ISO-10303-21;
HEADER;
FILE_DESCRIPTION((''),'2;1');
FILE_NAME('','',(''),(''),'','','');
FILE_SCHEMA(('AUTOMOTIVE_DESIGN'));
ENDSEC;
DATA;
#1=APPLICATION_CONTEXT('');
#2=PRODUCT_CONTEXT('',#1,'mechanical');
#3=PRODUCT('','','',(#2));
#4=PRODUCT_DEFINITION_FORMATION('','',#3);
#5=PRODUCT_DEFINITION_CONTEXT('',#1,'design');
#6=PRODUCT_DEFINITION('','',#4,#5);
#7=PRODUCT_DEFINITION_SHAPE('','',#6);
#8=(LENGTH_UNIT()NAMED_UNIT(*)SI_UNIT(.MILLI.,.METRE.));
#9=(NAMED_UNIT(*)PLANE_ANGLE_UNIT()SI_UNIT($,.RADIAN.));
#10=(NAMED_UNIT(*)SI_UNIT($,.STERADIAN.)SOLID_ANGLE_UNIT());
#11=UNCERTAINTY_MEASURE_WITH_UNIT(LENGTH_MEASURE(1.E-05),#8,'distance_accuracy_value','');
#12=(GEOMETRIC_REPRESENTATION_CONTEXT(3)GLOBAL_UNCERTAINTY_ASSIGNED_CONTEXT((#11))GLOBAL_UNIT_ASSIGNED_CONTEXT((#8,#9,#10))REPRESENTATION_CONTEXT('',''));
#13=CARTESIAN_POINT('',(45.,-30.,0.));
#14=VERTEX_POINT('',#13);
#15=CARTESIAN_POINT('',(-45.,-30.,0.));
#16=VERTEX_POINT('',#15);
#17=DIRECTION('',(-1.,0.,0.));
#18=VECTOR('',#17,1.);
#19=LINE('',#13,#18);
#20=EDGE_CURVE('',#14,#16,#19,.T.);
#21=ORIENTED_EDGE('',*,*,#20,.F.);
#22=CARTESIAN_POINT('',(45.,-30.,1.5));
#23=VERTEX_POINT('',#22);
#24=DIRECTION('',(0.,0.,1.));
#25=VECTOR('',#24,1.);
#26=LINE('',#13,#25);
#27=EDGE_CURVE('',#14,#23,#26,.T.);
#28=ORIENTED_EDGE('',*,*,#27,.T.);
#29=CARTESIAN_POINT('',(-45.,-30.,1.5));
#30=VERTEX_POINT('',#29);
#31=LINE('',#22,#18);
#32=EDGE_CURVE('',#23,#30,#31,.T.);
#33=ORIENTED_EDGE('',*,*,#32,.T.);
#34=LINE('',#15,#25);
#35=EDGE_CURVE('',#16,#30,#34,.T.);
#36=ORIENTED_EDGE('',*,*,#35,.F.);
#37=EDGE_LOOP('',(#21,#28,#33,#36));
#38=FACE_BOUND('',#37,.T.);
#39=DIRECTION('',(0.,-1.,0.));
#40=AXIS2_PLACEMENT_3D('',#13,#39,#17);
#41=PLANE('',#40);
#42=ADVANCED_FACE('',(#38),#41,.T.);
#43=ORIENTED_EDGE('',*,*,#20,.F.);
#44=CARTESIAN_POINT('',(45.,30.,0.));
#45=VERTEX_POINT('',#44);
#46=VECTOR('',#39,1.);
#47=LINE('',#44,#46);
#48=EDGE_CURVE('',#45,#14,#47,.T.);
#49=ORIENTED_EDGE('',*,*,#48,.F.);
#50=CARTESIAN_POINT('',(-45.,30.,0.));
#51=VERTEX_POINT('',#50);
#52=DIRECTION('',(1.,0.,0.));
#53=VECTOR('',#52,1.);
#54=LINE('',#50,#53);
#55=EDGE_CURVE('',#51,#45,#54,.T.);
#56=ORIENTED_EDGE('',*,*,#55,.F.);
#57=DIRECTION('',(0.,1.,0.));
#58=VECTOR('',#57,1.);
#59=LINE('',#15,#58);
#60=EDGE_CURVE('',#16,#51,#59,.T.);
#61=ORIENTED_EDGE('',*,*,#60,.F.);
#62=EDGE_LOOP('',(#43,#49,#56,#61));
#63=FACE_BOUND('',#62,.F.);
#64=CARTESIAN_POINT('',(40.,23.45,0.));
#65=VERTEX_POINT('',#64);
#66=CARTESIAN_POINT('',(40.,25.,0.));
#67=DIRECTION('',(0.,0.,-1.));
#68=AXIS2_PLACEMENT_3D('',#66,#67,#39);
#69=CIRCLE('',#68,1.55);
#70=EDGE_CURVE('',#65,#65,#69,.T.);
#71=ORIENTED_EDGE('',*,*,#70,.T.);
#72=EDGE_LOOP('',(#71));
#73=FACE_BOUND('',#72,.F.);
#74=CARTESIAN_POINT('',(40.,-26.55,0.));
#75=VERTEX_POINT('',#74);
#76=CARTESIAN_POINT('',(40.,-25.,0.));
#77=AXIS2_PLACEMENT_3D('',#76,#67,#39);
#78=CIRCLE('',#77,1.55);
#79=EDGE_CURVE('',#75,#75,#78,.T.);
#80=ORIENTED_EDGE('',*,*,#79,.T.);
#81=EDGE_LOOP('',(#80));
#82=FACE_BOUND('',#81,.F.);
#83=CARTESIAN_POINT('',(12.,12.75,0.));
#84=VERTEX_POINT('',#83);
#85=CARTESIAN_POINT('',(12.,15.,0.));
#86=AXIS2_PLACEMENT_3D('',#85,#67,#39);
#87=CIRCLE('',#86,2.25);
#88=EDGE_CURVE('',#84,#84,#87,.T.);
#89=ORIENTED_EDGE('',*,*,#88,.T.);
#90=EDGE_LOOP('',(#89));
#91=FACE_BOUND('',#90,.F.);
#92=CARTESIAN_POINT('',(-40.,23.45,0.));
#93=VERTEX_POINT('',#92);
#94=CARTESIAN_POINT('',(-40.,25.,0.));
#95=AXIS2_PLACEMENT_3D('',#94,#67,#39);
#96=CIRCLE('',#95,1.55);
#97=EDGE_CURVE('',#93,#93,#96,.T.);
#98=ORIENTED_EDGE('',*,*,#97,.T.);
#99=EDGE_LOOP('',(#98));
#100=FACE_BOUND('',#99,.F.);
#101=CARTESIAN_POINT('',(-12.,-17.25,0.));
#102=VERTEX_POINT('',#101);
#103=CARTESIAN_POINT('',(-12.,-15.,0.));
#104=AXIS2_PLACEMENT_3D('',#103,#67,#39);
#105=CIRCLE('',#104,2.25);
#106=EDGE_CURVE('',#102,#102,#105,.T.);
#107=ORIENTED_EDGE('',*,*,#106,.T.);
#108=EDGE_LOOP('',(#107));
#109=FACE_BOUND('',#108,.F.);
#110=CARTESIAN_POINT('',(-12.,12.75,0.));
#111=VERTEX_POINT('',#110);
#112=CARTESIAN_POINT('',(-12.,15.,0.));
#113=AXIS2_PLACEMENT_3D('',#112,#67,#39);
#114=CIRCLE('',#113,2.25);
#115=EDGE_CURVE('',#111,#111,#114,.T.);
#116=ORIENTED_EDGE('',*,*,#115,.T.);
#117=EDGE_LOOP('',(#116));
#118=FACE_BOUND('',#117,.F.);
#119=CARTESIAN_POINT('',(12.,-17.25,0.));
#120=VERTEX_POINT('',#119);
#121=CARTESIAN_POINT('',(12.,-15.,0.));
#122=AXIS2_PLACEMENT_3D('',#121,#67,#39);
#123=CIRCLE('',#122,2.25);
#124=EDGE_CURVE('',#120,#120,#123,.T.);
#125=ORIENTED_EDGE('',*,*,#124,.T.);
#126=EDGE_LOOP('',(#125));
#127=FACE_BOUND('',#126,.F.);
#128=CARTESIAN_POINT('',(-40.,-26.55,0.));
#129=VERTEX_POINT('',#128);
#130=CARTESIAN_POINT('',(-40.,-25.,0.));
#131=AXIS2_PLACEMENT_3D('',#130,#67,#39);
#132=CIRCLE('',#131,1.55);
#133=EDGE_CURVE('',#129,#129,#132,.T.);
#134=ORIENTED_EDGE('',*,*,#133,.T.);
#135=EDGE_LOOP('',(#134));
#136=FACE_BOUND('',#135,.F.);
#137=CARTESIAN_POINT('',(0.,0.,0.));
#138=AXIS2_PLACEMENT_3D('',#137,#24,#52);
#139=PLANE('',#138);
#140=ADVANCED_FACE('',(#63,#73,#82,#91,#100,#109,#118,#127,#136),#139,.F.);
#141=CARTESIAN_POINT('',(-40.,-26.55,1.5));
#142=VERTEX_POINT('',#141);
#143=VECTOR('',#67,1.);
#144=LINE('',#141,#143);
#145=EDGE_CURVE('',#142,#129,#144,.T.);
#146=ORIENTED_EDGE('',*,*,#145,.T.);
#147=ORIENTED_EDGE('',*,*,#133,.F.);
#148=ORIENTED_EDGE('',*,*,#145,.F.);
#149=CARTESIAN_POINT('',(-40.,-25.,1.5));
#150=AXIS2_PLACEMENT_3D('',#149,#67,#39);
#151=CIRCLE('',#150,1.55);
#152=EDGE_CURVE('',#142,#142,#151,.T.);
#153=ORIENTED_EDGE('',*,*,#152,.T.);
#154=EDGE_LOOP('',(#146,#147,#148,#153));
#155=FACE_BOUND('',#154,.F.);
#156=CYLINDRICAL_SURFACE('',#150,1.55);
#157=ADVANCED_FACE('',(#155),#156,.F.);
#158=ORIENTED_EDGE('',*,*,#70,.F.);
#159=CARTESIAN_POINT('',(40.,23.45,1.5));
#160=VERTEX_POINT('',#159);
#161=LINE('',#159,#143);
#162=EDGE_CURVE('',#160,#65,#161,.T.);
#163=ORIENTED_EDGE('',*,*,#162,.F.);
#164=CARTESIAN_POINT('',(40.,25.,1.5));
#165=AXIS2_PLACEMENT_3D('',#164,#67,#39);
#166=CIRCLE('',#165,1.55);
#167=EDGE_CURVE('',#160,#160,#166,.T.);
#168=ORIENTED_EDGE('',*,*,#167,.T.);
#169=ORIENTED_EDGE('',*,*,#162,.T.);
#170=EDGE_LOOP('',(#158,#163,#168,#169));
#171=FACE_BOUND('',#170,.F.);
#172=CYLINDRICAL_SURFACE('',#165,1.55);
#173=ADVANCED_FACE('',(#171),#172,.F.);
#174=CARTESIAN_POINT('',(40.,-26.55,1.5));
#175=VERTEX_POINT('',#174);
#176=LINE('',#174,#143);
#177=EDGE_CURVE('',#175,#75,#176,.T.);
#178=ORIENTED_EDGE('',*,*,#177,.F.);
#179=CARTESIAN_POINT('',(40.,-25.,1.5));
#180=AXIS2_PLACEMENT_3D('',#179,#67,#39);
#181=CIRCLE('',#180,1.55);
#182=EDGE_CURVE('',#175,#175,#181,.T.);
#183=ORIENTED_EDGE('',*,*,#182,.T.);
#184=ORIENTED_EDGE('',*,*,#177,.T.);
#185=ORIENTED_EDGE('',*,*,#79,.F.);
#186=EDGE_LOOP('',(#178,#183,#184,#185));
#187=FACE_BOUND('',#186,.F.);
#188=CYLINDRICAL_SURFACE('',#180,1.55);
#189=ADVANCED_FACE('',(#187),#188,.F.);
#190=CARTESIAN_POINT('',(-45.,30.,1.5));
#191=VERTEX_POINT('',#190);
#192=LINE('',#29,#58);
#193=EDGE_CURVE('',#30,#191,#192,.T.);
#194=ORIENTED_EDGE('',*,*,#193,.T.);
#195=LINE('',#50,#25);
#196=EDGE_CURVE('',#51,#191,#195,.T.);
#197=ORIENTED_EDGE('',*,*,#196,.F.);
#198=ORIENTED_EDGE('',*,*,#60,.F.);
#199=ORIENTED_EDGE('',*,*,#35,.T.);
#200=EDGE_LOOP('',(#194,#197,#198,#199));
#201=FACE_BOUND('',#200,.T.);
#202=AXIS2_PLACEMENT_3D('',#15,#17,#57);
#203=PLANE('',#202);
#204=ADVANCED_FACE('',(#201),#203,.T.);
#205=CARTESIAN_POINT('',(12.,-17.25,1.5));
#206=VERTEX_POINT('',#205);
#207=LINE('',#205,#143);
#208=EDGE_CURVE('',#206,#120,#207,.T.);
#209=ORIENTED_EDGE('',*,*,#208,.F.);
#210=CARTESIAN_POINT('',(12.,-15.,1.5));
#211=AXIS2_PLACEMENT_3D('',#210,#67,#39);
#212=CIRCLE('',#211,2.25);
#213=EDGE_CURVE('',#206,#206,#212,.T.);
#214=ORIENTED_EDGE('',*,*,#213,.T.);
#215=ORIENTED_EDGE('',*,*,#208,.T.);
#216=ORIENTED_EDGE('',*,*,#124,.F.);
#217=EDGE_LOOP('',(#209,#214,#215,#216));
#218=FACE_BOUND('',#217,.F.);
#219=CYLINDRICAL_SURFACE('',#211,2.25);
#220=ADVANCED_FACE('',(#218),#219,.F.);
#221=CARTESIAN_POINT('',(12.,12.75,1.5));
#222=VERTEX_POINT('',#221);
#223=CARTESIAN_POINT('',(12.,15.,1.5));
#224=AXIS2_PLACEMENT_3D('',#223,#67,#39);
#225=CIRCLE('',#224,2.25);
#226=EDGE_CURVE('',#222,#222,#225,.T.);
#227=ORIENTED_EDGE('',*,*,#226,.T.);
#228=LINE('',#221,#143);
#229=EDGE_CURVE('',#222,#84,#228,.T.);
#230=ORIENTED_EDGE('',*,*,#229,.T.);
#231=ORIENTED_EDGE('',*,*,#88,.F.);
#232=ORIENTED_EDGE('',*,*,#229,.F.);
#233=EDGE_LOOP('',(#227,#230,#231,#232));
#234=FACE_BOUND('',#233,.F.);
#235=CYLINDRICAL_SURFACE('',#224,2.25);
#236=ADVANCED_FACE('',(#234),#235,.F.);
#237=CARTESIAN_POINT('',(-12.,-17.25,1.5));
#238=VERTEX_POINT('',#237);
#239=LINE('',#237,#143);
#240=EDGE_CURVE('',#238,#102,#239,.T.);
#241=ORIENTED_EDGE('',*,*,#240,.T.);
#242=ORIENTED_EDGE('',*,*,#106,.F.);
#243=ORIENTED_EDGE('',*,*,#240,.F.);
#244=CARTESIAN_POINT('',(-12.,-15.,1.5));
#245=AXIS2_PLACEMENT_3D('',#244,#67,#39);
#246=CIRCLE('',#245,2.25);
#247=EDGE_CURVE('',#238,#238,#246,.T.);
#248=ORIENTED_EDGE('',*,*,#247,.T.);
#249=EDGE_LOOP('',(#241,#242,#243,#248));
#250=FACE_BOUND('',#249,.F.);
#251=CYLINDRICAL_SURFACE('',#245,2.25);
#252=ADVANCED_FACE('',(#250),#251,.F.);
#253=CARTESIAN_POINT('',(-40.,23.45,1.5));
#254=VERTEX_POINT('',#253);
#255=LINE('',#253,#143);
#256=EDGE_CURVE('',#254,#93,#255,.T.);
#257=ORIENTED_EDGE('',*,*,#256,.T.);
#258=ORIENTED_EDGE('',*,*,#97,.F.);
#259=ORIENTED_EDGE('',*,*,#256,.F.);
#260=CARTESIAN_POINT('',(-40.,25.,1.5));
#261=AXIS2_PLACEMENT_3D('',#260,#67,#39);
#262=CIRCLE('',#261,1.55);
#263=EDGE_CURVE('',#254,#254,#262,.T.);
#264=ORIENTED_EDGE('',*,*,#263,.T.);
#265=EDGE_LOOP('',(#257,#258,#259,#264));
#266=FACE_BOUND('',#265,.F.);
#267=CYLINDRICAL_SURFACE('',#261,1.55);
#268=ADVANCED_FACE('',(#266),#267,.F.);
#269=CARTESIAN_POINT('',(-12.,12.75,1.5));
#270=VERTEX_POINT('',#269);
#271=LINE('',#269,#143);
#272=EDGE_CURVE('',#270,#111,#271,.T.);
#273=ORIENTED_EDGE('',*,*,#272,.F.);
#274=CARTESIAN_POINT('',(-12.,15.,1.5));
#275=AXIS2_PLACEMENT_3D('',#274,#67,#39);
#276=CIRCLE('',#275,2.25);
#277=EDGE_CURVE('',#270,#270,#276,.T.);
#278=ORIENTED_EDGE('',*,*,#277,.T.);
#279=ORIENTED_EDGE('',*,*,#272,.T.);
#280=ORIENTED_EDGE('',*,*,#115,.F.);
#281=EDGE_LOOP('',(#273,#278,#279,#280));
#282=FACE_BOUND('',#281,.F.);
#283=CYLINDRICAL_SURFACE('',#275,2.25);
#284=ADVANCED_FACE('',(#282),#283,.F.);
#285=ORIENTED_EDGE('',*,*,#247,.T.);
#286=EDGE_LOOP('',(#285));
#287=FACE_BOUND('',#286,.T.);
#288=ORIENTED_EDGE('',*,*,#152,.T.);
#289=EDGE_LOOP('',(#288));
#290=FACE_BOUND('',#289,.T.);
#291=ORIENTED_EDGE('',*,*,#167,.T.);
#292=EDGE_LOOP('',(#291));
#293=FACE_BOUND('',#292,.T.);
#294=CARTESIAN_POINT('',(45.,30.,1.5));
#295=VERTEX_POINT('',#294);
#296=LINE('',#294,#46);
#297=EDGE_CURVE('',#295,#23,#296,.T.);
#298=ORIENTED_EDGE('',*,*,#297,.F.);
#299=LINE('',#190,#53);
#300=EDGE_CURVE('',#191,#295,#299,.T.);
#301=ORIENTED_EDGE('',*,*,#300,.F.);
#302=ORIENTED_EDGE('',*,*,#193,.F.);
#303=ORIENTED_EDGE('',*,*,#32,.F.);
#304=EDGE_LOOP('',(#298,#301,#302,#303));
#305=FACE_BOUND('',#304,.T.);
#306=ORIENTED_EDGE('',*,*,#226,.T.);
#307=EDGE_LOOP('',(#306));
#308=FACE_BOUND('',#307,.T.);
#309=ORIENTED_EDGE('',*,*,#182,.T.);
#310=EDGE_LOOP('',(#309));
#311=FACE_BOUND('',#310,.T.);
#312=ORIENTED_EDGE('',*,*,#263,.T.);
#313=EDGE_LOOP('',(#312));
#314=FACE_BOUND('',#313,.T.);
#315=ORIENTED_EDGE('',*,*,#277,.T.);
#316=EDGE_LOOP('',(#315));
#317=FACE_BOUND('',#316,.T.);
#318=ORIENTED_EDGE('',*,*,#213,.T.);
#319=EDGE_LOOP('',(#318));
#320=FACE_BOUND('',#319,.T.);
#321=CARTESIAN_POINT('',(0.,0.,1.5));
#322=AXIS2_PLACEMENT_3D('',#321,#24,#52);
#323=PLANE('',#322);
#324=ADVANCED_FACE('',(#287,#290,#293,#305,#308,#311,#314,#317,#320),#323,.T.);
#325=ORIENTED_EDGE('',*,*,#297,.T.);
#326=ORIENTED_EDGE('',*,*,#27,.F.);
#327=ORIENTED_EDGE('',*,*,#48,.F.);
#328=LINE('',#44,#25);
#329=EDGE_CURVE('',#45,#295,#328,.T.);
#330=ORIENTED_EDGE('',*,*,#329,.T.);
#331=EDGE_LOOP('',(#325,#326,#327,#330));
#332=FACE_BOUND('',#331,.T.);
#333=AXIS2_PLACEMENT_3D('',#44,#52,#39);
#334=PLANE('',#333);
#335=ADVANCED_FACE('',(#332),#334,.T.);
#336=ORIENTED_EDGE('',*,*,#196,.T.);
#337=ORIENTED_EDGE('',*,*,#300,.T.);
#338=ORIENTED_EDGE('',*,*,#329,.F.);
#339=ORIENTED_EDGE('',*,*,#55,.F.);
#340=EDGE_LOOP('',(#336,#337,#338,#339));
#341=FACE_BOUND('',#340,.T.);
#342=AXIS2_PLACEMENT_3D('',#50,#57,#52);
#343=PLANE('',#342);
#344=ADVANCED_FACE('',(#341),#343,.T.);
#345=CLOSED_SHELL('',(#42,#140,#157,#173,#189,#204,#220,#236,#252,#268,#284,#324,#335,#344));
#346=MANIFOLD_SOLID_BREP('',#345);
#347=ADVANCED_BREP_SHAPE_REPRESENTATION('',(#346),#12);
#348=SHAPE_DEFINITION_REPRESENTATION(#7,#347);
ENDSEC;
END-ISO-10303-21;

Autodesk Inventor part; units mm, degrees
ref_plane "YZ Plane" through (0, 0, 0) normal (1, 0, 0) x (0, 1, 0)
ref_plane "XZ Plane" through (0, 0, 0) normal (0, 1, 0) x (-1, 0, 0)
ref_plane "XY Plane" through (0, 0, 0) normal (0, 0, 1) x (1, 0, 0)
sketch "スケッチ12" plane through (0, 0, 0) normal (0, 0, 1) x (1, 0, 0)
  line L0 (-45, 30) -> (45, 30)
  line L1 (45, 30) -> (45, -30)
  line L2 (45, -30) -> (-45, -30)
  line L3 (-45, -30) -> (-45, 30)
  line L4 (-45, 30) -> (45, -30) construction
  line L5 (45, 30) -> (-45, -30) construction
  point P0 (0, 0)
  dimension "d38" = 90
  dimension "d39" = 60
extrude "押し出し5" add sketch "スケッチ12" along normal blind 1.5
sketch "スケッチ13" plane through (0, 0, 1.5) normal (0, 0, 1) x (1, 0, 0)
  line L0 (-45, 30) -> (-45, -30) projected
  line L1 (45, -30) -> (45, 30) projected
  line L2 (45, 30) -> (-45, 30) projected
  line L3 (-45, -30) -> (45, -30) projected
  point P0 (0, 0)
  point P1 (-40, 25)
  point P2 (-40, -25)
  point P3 (40, -25)
  point P4 (40, 25)
  dimension "d60" = 5
  dimension "d61" = 5
  dimension "d62" = 5
  dimension "d63" = 5
hole "穴5" at (-40, 25, 1.5) at (-40, -25, 1.5) at (40, -25, 1.5) at (40, 25, 1.5) direction (0, 0, -1) diameter 3.1 end through all
sketch "スケッチ14" plane through (0, 0, 1.5) normal (0, 0, 1) x (1, 0, 0)
  point P0 (0, 0)
  point P1 (-12, 15)
  point P2 (12, 15)
  point P3 (-12, -15)
  point P4 (12, -15)
  dimension "d56" = 15
  dimension "d57" = 15
  dimension "d58" = 15
  dimension "d59" = 15
  dimension "d64" = 12
  dimension "d65" = 12
  dimension "d66" = 12
  dimension "d67" = 12
hole "穴6" at (-12, 15, 1.5) at (12, 15, 1.5) at (-12, -15, 1.5) at (12, -15, 1.5) direction (0, 0, -1) diameter 4.5 end through all
properties part number "キャスター調節板" material "アルミニウム 6061"
